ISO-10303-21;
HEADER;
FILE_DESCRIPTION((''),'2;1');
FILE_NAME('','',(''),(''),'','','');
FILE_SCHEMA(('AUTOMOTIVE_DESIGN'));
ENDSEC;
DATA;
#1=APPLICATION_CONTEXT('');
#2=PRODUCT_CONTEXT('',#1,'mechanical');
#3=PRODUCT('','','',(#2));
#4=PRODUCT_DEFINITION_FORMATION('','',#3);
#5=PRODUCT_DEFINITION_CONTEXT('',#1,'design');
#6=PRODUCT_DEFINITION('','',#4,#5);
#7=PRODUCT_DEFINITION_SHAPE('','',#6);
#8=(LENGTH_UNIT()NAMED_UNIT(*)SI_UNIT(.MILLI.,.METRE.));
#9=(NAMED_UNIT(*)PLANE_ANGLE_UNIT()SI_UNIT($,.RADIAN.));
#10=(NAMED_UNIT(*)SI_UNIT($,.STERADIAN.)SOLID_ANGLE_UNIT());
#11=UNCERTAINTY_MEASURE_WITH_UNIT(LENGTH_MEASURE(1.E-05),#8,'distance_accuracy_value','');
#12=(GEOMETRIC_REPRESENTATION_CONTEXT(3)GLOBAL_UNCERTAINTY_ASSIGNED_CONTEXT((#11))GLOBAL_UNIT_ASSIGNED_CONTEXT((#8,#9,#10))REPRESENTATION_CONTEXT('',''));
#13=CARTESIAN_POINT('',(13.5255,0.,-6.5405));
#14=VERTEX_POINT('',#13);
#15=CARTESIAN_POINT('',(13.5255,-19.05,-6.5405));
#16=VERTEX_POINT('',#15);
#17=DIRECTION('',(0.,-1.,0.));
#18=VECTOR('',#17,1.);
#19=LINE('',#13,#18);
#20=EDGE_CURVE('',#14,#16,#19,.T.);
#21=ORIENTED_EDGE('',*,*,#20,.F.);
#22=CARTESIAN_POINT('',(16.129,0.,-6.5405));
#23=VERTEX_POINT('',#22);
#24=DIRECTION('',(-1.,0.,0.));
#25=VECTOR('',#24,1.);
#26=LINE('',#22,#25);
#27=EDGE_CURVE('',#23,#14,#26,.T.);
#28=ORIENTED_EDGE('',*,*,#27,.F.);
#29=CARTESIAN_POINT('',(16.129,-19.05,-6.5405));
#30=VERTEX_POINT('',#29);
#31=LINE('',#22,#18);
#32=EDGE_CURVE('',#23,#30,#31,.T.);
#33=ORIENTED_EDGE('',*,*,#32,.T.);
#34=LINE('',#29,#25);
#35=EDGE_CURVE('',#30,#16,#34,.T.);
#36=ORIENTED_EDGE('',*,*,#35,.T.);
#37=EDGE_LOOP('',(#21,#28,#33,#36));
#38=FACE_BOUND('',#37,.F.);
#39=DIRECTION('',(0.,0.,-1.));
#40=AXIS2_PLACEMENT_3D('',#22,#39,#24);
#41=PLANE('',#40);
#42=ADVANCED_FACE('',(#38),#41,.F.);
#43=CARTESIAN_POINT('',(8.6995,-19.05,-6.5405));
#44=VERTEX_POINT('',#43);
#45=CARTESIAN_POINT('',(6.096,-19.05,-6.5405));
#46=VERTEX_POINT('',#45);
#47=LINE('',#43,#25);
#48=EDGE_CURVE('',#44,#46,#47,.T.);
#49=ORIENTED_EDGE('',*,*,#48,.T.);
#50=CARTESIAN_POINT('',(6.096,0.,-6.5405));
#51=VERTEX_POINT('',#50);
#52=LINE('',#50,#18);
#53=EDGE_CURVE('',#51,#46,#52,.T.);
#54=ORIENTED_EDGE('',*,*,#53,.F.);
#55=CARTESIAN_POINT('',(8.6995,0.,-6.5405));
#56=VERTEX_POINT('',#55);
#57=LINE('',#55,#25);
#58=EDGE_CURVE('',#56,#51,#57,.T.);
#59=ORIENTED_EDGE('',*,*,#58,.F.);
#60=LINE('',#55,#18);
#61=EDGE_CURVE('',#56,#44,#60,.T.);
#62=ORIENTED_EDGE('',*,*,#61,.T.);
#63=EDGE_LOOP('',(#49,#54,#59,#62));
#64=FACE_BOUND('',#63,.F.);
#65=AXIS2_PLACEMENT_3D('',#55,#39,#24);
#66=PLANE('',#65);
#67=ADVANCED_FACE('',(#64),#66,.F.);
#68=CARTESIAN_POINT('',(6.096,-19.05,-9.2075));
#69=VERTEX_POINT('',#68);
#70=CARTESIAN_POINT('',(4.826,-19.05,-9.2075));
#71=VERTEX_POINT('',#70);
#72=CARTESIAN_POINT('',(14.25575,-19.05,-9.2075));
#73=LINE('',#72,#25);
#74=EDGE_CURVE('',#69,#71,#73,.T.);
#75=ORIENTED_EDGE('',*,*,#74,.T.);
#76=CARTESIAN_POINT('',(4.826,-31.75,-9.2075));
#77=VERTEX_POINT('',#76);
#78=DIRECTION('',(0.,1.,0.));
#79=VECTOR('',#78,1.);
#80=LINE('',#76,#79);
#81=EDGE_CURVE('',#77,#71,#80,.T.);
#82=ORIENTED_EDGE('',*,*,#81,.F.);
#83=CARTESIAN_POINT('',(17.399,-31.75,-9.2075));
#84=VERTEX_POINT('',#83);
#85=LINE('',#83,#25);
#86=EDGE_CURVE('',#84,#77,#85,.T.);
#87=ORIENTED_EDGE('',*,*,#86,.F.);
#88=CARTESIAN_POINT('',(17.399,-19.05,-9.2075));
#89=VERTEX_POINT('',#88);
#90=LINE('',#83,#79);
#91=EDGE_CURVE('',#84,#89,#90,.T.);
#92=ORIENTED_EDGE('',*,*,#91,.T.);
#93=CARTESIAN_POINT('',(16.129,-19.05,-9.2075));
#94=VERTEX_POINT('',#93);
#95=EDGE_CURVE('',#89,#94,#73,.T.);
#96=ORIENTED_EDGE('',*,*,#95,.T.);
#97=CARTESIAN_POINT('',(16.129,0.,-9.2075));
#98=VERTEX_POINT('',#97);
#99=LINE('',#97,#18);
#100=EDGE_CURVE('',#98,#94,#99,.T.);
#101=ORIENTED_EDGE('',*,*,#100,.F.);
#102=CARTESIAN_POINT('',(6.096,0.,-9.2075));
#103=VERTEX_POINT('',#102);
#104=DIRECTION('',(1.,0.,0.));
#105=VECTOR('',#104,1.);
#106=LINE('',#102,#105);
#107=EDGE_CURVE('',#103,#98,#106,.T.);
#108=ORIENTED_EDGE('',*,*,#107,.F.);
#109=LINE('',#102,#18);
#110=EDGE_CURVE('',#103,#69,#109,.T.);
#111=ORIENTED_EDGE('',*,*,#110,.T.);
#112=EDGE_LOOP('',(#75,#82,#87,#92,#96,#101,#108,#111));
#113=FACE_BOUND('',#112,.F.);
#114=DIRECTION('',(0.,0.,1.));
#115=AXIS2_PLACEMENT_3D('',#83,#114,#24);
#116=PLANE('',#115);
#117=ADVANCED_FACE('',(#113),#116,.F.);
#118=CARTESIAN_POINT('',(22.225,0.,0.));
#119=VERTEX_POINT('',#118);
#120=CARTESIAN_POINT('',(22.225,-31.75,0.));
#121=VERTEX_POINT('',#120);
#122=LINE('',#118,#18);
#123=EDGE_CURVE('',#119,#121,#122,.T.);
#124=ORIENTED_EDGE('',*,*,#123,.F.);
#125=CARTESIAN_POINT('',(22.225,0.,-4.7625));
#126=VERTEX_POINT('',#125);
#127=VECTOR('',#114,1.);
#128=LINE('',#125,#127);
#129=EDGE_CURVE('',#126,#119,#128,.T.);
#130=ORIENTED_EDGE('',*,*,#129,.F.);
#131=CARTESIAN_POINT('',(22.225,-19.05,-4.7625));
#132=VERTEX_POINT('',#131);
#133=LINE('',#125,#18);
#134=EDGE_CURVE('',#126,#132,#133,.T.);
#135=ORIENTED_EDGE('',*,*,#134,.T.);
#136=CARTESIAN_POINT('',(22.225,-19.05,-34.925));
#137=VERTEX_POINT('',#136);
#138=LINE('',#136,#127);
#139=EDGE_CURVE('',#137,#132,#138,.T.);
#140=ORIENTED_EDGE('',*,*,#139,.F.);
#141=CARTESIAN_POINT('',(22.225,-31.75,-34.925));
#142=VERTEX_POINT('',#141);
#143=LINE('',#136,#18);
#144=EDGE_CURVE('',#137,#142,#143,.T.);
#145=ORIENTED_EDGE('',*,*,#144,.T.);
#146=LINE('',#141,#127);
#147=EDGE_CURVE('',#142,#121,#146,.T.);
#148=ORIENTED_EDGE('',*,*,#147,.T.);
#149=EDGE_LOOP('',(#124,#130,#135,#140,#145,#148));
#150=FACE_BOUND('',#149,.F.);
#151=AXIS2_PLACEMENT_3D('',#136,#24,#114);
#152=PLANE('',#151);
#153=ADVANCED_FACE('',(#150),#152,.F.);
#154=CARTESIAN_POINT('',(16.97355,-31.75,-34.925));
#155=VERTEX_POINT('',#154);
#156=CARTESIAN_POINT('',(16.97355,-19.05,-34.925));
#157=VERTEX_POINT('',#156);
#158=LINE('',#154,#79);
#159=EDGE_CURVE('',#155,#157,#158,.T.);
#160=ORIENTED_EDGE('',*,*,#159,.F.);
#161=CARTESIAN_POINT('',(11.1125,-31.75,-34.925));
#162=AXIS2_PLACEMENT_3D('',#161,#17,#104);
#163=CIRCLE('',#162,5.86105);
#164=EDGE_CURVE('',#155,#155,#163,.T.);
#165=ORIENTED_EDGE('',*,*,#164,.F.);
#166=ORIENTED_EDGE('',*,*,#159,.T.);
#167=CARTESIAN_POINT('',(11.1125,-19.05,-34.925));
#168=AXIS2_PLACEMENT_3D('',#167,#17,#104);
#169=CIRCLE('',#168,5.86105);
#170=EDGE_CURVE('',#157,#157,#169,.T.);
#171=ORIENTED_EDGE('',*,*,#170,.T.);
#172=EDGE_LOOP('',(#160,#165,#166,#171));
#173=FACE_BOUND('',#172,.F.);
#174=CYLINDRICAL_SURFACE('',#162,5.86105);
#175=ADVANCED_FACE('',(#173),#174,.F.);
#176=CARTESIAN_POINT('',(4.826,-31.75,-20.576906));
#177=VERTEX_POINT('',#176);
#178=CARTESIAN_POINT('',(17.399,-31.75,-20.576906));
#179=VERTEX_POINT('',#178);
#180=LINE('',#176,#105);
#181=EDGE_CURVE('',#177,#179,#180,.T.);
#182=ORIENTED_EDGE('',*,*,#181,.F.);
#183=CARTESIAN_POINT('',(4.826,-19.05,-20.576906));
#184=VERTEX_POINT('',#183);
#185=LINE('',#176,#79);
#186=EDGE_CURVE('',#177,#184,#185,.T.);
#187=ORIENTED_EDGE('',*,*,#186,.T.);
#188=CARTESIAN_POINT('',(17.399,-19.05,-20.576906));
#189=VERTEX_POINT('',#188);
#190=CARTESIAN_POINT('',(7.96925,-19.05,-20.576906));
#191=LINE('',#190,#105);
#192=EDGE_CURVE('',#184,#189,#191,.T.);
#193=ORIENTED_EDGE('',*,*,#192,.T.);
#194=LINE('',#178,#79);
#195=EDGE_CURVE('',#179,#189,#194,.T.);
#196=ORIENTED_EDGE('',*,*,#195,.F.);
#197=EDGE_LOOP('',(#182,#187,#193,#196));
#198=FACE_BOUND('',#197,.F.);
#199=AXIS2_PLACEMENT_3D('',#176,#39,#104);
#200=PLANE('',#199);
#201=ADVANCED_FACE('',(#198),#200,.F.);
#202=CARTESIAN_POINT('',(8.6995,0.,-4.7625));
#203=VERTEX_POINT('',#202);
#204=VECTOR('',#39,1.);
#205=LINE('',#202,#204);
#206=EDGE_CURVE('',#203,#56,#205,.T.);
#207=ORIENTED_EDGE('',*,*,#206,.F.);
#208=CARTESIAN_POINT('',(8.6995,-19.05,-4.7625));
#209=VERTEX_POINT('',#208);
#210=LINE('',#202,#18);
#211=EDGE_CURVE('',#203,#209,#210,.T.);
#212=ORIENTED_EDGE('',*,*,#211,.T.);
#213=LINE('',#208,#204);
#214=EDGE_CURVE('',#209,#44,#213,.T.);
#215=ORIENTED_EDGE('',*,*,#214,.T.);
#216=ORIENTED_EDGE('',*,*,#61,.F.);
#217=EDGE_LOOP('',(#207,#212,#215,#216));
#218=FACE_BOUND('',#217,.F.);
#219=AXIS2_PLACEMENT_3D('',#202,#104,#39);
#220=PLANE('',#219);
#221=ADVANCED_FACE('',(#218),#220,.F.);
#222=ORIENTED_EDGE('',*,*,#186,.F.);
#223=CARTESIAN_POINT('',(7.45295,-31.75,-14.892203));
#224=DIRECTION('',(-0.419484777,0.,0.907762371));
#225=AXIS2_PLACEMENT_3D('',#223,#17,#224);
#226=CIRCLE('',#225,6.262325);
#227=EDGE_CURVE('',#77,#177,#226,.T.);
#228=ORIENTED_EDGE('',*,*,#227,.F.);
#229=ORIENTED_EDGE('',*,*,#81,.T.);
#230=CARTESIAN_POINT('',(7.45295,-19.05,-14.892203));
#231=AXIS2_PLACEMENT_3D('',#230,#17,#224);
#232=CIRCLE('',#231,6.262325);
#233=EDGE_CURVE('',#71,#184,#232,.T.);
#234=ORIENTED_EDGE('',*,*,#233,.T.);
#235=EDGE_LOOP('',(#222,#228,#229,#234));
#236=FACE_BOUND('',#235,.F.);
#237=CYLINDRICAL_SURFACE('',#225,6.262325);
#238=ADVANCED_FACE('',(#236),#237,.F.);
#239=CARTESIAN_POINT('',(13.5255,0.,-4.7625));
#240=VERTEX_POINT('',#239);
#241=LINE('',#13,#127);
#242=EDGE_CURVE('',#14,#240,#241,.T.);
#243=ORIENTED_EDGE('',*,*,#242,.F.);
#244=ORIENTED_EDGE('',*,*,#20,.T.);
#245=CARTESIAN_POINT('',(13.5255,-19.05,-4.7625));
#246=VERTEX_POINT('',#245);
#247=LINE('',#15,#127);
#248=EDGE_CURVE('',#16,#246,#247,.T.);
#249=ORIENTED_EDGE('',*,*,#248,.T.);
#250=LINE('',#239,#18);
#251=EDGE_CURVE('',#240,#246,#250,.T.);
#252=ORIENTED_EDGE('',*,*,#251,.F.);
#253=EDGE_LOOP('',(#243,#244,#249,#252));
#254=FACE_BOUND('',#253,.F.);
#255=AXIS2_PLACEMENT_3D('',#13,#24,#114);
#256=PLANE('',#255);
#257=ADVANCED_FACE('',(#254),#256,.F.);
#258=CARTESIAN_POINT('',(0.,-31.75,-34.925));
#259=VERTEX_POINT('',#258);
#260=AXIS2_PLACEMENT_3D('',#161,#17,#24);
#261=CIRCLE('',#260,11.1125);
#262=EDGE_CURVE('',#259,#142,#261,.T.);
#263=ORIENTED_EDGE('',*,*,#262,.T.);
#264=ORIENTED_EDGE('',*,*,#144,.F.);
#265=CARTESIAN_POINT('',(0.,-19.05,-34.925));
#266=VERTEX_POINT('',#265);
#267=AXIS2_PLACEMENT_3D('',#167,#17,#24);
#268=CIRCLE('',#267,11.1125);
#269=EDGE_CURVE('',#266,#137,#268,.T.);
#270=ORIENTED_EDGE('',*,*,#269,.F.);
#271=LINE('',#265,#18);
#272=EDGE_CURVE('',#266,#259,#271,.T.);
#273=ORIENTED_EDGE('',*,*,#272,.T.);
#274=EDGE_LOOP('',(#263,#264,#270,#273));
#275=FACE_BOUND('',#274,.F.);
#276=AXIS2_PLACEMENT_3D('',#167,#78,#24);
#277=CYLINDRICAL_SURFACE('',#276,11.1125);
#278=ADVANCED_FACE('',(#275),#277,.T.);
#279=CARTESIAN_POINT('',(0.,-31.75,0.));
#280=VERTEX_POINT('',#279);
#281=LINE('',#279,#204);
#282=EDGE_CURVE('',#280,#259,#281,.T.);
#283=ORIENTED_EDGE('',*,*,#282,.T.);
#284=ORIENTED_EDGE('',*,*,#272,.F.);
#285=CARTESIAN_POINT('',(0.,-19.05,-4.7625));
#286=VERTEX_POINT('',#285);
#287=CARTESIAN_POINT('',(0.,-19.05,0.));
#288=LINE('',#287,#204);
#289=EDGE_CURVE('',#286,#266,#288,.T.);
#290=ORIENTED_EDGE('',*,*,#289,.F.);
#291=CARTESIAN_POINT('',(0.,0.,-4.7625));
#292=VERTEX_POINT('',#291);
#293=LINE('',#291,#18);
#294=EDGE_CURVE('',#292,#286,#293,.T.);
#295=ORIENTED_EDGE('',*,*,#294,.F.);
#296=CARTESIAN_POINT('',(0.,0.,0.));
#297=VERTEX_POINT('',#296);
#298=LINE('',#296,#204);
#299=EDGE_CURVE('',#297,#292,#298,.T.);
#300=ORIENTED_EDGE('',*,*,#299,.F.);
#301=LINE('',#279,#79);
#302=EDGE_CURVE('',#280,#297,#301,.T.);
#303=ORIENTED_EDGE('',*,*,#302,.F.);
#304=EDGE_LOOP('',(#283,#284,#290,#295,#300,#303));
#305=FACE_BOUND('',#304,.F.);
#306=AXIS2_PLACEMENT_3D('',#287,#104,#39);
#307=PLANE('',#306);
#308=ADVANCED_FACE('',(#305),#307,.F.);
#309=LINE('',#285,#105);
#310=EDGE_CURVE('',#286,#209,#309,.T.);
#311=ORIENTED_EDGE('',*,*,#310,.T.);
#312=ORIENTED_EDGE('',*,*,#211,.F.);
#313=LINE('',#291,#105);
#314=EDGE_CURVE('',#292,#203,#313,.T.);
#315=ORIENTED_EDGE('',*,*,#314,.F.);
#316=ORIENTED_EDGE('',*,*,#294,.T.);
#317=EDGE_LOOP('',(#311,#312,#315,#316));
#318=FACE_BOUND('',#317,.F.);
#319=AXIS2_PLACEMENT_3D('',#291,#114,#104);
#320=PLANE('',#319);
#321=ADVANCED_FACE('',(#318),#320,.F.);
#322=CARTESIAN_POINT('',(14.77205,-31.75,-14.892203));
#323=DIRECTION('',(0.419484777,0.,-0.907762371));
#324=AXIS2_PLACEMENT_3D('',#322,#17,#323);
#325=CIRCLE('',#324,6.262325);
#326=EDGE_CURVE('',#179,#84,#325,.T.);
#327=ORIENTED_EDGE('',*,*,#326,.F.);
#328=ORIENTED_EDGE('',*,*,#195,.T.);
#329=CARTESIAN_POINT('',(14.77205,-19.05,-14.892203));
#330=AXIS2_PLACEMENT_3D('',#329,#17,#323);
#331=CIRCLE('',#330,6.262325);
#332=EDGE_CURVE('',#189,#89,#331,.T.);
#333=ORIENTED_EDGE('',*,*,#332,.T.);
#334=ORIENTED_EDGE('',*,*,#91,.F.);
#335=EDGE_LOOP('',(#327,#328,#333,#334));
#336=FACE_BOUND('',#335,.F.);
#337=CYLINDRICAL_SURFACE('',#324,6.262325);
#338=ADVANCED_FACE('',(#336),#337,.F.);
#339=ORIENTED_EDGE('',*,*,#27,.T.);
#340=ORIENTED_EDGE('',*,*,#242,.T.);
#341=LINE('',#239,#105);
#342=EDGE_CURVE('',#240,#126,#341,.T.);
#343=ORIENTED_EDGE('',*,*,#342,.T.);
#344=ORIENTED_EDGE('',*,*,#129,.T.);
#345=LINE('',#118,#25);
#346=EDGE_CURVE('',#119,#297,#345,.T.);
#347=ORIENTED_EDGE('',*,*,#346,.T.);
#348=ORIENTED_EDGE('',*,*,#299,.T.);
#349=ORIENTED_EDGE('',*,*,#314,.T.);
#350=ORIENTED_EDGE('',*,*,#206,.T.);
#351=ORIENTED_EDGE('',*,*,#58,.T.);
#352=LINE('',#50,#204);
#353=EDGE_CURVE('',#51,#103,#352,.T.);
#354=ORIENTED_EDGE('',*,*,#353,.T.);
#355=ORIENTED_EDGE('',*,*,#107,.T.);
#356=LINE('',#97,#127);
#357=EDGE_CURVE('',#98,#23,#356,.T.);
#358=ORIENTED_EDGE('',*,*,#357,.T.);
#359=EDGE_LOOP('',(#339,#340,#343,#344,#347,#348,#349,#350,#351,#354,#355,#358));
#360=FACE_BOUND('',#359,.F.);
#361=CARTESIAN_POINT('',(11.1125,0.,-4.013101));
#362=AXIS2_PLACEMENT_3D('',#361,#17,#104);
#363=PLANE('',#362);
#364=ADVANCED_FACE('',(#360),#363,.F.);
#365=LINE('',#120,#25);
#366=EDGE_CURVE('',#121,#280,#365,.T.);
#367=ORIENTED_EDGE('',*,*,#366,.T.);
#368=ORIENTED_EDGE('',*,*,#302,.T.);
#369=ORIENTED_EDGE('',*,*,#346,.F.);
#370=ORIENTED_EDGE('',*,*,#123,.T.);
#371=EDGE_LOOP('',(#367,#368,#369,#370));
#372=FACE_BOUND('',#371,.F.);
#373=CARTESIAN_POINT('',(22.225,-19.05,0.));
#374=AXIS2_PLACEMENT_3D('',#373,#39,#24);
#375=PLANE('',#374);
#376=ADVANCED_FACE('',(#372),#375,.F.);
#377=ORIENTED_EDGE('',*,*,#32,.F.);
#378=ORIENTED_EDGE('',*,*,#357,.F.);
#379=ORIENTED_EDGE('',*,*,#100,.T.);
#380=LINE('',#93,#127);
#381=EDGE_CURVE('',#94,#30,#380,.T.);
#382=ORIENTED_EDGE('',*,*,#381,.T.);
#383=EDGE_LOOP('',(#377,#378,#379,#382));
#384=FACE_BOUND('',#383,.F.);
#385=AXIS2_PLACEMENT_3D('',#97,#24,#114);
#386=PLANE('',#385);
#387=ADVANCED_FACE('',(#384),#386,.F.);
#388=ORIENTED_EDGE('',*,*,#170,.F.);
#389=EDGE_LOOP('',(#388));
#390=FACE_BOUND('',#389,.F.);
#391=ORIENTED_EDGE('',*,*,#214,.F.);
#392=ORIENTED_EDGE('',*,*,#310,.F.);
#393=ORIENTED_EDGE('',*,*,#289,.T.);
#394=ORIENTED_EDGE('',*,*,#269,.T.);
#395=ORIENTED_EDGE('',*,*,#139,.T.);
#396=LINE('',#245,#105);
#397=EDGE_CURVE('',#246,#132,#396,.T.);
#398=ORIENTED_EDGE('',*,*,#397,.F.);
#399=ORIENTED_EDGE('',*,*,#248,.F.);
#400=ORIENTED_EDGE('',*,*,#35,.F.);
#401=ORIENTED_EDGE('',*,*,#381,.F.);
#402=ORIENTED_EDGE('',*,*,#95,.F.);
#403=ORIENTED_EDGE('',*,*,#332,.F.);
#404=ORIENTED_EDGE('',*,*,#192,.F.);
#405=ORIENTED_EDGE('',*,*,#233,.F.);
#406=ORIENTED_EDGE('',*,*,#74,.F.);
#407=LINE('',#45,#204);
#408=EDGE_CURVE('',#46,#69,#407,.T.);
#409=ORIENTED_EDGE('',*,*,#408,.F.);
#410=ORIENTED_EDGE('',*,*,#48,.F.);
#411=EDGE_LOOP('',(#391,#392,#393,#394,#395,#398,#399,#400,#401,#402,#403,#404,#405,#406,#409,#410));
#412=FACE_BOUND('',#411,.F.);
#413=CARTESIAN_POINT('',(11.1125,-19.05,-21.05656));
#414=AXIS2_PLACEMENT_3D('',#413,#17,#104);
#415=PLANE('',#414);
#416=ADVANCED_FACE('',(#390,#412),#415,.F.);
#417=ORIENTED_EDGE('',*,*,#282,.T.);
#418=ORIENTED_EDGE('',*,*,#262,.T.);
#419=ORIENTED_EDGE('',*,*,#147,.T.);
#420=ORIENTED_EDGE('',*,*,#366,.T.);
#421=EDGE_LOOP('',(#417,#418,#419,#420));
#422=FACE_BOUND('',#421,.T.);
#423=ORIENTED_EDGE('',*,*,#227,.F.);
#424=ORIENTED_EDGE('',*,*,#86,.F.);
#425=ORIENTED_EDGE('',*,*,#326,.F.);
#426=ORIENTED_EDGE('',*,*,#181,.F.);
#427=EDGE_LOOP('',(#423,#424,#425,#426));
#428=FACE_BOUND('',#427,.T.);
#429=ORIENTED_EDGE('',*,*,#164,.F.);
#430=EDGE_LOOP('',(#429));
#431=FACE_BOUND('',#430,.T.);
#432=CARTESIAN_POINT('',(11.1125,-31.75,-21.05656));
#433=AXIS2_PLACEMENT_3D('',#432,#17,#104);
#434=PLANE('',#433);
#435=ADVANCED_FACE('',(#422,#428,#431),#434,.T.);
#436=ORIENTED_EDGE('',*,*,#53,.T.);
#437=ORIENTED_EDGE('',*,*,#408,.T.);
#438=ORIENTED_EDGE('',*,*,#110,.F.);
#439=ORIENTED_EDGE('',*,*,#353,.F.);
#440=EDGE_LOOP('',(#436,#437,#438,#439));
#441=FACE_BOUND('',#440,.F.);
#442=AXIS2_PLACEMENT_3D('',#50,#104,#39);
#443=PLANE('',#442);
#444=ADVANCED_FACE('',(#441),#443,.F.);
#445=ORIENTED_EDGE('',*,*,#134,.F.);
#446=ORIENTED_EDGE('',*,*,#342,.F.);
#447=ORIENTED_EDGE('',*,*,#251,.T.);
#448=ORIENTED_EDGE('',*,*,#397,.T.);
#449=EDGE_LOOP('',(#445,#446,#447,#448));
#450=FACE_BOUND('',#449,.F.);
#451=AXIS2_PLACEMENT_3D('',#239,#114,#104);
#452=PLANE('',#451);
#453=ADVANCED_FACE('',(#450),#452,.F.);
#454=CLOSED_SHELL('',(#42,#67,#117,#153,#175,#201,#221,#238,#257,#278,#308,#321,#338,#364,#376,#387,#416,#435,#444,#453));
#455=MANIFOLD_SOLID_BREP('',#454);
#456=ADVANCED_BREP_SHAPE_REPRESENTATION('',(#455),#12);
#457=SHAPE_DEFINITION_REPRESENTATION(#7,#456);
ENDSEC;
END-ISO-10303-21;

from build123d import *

# Parameters (mm, degrees)
F1_DEPTH = 19.05
F3_DEPTH = 12.7
F4_R     = 5.86105
F5_DEPTH = 25.4
F7_DEPTH = 25.4


with BuildPart() as f1:
    # F0 (on Front) → F1 (new body)
    with BuildSketch(Plane.XZ):
        Polygon((22.225, 0), (0, 0), (0, -4.7625), (8.6995, -4.7625), (8.6995, -6.5405), (6.096, -6.5405), (6.096, -9.2075), (16.129, -9.2075), (16.129, -6.5405), (13.5255, -6.5405), (13.5255, -4.7625), (22.225, -4.7625), align=None)
    extrude(amount=F1_DEPTH)

    # F2 (on face) → F3 (join)
    with BuildSketch(Plane.XZ.offset(19.05)):
        with BuildLine():
            Line((8.6995, -4.7625), (0, -4.7625))
            Line((0, -4.7625), (0, -34.925))
            ThreePointArc((0, -34.925), (11.1125, -46.0375), (22.225, -34.925))
            Line((22.225, -34.925), (22.225, -4.7625))
            Line((22.225, -4.7625), (13.5255, -4.7625))
            Line((13.5255, -4.7625), (13.5255, -6.5405))
            Line((13.5255, -6.5405), (16.129, -6.5405))
            Line((16.129, -6.5405), (16.129, -9.2075))
            Line((16.129, -9.2075), (6.096, -9.2075))
            Line((6.096, -9.2075), (6.096, -6.5405))
            Line((6.096, -6.5405), (8.6995, -6.5405))
            Line((8.6995, -6.5405), (8.6995, -4.7625))
        make_face()
        Polygon((22.225, 0), (0, 0), (0, -4.7625), (8.6995, -4.7625), (8.6995, -6.5405), (6.096, -6.5405), (6.096, -9.2075), (16.129, -9.2075), (16.129, -6.5405), (13.5255, -6.5405), (13.5255, -4.7625), (22.225, -4.7625), align=None)
    extrude(amount=F3_DEPTH)

    # F4 (on face) → F5 (cut)
    with BuildSketch(Plane.XZ.offset(31.75)):
        with Locations((11.1125, -34.925)):
            Circle(F4_R)
    extrude(amount=-F5_DEPTH, mode=Mode.SUBTRACT)

    # F6 (on face) → F7 (cut)
    with BuildSketch(Plane.XZ.offset(31.75)):
        with BuildLine():
            Line((17.399, -9.2075), (4.826, -9.2075))
            ThreePointArc((4.826, -9.2075), (1.190625, -14.892203), (4.826, -20.576906))
            Line((4.826, -20.576906), (17.399, -20.576906))
            ThreePointArc((17.399, -20.576906), (21.034375, -14.892203), (17.399, -9.2075))
        make_face()
    extrude(amount=-F7_DEPTH, mode=Mode.SUBTRACT)


solid = f1.part
